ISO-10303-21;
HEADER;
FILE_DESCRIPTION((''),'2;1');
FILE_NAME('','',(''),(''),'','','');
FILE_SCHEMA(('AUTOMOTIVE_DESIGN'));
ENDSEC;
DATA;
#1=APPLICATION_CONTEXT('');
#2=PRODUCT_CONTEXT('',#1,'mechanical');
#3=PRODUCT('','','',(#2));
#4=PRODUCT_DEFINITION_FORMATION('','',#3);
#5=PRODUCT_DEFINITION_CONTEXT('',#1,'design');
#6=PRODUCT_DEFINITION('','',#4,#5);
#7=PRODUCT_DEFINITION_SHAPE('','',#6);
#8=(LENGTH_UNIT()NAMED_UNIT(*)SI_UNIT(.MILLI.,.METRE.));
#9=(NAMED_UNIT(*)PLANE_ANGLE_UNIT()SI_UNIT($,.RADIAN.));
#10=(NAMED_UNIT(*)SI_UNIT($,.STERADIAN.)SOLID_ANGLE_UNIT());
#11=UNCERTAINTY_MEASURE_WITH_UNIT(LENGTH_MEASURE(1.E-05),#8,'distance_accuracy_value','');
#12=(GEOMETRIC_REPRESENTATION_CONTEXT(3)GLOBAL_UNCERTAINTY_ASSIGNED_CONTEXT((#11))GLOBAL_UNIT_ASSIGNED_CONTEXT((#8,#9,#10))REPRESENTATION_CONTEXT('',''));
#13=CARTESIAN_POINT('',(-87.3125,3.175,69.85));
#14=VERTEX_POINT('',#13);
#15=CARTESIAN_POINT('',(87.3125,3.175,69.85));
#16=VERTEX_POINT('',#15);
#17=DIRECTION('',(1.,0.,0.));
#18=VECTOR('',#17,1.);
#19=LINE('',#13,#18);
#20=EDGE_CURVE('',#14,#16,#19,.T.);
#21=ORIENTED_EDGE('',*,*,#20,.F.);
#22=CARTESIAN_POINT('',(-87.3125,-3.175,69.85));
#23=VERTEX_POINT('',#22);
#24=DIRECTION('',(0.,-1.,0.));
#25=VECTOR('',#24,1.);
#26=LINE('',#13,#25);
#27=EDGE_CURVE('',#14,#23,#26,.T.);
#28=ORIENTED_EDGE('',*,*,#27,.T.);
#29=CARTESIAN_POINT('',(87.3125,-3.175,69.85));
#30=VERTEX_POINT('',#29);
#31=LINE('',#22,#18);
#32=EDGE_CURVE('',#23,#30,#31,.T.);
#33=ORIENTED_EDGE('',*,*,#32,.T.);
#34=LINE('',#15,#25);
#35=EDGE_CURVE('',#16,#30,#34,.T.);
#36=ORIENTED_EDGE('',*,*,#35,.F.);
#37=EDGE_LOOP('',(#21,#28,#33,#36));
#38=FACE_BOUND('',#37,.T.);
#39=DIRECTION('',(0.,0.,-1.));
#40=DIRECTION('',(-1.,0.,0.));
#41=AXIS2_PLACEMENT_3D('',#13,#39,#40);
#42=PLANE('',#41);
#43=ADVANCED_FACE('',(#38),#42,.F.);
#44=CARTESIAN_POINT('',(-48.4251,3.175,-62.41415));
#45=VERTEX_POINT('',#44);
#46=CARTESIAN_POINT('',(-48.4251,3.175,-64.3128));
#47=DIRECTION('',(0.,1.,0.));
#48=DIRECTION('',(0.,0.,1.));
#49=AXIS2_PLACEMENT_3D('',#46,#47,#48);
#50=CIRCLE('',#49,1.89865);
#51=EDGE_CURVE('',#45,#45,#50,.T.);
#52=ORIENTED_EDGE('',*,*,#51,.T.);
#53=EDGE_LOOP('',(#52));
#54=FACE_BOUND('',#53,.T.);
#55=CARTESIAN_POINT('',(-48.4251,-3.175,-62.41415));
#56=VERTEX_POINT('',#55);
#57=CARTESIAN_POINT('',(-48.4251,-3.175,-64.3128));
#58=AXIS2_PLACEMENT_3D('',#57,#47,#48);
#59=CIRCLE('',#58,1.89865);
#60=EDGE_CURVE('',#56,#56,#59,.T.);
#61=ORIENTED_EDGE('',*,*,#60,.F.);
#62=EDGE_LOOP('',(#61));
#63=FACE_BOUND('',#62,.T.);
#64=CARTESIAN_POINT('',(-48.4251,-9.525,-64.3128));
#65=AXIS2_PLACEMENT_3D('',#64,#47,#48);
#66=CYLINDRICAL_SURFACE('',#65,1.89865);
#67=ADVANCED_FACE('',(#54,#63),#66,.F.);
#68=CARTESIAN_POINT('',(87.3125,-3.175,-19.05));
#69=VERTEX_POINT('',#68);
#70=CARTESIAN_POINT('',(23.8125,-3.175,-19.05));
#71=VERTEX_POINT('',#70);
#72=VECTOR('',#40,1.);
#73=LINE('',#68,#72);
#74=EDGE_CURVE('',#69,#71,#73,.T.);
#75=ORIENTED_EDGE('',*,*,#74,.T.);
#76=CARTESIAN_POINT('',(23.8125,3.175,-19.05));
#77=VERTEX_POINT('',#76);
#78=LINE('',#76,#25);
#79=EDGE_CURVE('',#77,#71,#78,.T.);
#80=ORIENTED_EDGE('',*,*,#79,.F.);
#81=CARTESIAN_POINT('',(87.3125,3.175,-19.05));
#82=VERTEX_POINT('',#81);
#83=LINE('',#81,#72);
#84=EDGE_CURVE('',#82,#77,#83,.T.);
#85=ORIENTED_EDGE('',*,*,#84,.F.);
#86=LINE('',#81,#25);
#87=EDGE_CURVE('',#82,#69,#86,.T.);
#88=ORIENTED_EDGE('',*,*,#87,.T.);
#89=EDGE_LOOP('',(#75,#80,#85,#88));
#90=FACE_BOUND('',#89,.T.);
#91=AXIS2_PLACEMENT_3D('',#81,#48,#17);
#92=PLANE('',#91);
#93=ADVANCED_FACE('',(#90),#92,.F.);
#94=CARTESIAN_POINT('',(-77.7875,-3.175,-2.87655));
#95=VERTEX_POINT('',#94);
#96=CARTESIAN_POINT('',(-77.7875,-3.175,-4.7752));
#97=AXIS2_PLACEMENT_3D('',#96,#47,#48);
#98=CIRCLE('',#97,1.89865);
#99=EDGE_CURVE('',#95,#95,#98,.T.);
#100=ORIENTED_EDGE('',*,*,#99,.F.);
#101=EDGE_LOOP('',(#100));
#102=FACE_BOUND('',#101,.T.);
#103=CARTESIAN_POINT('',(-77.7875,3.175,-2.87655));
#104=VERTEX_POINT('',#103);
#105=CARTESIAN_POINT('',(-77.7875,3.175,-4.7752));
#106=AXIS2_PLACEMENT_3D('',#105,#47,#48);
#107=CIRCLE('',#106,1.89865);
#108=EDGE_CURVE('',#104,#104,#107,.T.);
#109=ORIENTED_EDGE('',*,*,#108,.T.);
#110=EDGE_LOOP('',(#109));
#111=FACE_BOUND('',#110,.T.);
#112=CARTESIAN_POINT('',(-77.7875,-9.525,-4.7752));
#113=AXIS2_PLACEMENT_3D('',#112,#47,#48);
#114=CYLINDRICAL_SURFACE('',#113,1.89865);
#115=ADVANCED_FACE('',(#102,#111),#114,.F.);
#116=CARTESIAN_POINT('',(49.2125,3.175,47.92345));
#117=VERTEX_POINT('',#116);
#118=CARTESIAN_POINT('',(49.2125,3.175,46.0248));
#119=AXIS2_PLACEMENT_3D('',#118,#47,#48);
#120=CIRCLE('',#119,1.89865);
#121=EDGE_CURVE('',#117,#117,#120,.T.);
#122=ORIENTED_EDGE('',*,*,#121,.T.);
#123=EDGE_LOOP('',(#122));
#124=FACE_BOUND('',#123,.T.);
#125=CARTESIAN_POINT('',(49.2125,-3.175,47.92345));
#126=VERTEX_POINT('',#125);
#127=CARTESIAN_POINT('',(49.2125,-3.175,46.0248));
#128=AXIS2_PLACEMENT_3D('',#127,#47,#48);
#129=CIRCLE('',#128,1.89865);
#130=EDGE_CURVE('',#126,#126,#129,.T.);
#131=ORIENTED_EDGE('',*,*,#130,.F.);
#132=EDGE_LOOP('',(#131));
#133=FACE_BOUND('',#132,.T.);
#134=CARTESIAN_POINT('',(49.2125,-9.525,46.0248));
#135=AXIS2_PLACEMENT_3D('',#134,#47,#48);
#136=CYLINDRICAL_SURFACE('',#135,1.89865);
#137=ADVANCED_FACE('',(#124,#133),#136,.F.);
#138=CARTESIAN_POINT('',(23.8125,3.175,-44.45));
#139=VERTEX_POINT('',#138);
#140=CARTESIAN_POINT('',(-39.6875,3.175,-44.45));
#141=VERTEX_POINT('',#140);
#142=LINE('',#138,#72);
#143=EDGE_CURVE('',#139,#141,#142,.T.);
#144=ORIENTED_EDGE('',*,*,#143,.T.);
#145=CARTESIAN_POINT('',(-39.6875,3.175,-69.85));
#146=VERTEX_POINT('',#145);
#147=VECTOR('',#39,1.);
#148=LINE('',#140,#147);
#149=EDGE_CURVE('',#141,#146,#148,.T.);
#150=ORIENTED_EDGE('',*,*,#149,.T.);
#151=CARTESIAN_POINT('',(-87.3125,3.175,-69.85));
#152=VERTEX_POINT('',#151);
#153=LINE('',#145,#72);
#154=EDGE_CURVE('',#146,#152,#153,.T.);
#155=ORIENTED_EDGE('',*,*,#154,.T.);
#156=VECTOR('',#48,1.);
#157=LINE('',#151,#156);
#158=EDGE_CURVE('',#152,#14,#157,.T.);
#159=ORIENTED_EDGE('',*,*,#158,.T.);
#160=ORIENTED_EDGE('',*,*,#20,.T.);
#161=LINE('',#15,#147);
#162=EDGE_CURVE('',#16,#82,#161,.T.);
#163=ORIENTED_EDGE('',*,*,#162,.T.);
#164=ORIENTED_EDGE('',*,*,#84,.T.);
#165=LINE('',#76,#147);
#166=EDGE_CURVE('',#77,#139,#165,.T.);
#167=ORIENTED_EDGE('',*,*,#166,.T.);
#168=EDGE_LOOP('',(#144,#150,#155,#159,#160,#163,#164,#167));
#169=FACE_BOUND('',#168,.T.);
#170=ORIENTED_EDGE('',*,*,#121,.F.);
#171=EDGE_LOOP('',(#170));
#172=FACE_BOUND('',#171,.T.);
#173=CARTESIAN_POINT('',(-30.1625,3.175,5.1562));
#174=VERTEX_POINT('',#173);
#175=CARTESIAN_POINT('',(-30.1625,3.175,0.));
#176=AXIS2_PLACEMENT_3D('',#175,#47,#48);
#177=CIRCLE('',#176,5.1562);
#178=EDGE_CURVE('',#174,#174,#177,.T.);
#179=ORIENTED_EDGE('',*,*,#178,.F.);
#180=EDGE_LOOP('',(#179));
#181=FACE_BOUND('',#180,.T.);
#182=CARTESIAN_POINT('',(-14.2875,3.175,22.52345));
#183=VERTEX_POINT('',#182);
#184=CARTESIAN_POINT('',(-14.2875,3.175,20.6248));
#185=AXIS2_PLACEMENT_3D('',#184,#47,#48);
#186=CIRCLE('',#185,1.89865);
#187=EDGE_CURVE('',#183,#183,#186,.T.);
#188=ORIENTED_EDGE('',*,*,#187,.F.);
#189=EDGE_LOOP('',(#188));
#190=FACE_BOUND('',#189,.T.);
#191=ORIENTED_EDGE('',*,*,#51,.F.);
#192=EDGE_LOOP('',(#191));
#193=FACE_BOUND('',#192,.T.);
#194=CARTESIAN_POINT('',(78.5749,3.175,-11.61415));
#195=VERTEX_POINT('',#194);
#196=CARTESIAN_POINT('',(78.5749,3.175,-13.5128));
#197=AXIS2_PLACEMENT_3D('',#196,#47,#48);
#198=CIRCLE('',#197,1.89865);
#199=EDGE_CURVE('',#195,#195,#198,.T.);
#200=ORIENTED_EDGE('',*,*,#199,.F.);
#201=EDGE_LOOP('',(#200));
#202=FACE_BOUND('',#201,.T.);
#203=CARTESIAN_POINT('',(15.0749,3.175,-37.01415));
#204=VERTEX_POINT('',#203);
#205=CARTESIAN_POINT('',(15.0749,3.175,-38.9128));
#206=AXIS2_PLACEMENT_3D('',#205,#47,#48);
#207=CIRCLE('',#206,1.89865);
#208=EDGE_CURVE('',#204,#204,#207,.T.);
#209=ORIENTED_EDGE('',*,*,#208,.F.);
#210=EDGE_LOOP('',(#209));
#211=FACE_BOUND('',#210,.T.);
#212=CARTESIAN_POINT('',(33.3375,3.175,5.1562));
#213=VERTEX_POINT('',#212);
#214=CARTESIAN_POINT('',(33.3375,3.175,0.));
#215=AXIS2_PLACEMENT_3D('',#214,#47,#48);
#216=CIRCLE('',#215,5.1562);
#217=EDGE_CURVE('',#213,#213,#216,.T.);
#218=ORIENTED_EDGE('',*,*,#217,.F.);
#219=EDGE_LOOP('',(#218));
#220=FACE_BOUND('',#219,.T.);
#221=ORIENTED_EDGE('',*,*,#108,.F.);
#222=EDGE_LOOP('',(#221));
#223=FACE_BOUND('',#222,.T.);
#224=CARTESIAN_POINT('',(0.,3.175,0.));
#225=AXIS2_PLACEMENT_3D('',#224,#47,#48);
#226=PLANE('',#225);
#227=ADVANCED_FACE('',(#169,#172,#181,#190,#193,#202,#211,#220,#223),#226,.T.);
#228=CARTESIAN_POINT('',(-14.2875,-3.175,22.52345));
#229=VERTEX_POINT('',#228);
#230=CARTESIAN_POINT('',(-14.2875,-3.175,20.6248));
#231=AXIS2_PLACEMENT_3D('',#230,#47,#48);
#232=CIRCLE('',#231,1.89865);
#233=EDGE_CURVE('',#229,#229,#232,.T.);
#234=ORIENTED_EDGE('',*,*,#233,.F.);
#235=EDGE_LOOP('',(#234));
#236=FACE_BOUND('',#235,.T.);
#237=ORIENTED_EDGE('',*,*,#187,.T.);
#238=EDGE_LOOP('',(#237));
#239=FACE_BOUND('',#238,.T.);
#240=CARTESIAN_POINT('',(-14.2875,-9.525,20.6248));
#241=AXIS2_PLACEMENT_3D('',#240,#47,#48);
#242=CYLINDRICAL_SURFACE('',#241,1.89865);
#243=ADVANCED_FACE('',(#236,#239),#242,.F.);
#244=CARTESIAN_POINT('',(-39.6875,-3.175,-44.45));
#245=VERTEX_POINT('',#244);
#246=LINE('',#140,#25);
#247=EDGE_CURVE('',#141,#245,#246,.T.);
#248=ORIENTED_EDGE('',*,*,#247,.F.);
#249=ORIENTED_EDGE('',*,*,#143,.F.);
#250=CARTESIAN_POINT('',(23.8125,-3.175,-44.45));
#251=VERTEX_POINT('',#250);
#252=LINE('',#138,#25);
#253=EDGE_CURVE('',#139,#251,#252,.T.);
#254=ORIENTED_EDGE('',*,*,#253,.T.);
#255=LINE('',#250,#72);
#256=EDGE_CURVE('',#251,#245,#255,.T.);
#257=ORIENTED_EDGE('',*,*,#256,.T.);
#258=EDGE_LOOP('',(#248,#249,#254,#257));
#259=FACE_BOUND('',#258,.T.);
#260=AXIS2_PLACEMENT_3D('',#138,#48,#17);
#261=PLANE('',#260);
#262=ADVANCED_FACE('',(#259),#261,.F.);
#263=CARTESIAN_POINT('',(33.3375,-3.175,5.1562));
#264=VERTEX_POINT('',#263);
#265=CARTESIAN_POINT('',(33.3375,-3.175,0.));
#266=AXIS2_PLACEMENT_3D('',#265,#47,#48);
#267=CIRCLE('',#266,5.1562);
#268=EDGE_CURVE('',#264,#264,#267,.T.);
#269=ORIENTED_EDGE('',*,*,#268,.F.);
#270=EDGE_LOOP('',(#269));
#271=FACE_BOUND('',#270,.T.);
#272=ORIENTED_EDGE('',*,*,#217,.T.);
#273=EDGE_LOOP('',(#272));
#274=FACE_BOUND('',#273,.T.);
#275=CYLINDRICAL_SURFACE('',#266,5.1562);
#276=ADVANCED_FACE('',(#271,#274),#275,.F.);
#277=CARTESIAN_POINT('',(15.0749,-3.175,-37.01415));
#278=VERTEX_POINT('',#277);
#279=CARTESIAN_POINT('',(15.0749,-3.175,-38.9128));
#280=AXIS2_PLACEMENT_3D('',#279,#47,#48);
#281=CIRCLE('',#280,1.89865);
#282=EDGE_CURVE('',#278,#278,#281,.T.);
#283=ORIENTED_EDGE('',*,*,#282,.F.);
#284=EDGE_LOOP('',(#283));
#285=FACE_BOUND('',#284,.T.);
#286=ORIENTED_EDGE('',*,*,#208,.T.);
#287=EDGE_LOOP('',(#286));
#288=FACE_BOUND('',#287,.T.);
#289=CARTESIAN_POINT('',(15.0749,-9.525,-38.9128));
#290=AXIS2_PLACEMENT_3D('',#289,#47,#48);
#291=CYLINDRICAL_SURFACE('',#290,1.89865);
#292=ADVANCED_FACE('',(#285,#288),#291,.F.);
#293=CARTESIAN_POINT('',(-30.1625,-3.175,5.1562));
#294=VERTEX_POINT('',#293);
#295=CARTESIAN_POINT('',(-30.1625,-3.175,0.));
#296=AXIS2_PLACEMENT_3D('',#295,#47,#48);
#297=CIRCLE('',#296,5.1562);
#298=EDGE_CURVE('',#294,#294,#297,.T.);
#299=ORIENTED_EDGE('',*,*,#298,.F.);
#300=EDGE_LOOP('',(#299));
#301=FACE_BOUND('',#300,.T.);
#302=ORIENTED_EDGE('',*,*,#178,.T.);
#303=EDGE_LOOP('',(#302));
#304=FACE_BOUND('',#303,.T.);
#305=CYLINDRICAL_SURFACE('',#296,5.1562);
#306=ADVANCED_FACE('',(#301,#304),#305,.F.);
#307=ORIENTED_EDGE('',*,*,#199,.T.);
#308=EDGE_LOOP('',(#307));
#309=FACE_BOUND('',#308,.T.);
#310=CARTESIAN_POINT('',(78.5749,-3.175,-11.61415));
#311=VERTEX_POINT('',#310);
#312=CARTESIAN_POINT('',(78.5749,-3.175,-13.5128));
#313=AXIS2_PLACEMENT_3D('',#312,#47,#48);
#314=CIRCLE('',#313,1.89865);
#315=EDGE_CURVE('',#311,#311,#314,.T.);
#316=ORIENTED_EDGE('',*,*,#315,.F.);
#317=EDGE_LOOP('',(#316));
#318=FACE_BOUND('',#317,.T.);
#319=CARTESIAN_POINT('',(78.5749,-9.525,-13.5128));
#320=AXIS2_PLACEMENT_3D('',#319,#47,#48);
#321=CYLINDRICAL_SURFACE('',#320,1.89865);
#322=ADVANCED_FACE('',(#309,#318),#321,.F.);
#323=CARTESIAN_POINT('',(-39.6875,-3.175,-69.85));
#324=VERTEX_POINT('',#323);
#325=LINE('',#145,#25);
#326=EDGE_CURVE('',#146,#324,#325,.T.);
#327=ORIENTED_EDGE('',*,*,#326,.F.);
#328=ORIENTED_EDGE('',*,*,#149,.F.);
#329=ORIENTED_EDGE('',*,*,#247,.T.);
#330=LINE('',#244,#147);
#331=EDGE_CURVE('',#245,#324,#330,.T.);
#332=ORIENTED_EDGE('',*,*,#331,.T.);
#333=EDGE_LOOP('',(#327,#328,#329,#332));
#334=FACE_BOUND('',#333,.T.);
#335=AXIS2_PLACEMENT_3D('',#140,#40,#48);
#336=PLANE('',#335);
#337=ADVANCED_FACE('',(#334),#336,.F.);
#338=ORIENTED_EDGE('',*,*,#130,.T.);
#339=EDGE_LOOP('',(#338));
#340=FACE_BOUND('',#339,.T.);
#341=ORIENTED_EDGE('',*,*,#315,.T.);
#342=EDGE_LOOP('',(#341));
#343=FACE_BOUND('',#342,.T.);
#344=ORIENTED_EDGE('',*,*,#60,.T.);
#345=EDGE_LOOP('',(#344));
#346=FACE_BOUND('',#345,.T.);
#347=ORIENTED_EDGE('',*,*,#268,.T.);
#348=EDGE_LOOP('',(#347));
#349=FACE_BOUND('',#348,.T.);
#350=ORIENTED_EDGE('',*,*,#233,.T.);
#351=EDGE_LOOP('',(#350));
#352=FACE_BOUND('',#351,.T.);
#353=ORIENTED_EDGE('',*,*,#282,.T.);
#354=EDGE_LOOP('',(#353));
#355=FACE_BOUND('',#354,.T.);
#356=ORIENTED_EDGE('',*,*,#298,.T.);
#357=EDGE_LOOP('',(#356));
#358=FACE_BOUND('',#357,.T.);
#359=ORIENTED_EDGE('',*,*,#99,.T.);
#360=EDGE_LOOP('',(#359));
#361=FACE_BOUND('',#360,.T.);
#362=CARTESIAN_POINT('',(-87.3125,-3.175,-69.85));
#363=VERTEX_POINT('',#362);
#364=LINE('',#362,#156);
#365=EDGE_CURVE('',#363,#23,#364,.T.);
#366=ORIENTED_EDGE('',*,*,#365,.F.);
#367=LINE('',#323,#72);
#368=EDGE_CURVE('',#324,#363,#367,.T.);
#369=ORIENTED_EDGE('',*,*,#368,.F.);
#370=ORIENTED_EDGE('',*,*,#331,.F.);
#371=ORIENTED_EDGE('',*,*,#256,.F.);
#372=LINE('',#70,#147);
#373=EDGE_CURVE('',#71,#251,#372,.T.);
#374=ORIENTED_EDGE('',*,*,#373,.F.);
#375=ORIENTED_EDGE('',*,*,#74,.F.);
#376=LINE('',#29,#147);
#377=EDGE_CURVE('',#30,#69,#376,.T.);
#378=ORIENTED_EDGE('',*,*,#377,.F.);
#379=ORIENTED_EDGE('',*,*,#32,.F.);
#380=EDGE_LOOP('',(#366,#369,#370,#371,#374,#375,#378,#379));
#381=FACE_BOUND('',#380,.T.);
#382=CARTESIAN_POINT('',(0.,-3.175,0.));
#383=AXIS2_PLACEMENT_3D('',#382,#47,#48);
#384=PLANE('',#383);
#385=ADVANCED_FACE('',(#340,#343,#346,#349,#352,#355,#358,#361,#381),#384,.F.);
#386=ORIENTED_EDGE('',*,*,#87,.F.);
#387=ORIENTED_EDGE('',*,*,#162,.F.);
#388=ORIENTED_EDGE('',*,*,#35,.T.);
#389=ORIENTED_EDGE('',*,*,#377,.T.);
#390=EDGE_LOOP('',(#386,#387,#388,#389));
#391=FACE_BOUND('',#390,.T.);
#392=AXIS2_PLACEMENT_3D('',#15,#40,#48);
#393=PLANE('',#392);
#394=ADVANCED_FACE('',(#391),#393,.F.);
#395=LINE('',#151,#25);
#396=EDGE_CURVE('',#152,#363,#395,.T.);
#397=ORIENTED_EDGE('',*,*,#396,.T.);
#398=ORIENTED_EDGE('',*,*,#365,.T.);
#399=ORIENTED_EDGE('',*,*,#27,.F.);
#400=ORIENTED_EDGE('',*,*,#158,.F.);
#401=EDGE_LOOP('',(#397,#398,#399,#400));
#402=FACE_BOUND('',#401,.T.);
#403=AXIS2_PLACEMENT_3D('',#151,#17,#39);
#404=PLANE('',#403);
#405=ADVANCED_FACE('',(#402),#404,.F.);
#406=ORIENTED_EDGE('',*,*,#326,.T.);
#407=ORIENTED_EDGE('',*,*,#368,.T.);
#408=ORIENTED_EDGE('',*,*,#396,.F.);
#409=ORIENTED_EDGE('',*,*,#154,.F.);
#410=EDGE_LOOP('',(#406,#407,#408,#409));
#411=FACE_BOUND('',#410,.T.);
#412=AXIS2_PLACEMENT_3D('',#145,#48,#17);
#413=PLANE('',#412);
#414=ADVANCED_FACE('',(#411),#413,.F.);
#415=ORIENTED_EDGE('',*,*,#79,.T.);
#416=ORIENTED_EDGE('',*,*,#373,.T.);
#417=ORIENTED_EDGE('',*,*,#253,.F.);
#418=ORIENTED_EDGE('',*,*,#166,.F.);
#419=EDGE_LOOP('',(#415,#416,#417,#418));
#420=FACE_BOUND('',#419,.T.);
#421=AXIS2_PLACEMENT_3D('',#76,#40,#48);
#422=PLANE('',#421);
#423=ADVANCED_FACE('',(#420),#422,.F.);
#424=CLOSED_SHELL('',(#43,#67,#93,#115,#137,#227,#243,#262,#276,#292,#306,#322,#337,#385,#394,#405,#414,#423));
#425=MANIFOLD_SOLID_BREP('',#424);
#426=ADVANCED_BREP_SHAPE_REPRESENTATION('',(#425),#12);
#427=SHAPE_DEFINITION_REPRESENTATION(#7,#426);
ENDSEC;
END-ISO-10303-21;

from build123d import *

# Parameters (mm, degrees)
BOSS_EXTRUDE1_DEPTH = 3.175
CUT_EXTRUDE2_START  = 3.175
SKETCH2_R           = 5.1562
CUT_EXTRUDE2_DEPTH  = 116.03462534
CUT_EXTRUDE4_START  = 3.175
SKETCH3_R           = 1.89865
CUT_EXTRUDE4_DEPTH  = 12.7


with BuildPart() as part:
    # Sketch1 → Boss-Extrude1 (new, symmetric)
    with BuildSketch(Plane(origin=(0, 0, 0), x_dir=(1, 0, 0), z_dir=(0, 1, 0))):
        Polygon((-87.3125, -69.85), (87.3125, -69.85), (87.3125, 19.05), (23.8125, 19.05), (23.8125, 44.45), (-39.6875, 44.45), (-39.6875, 69.85), (-87.3125, 69.85), align=None)
    extrude(amount=BOSS_EXTRUDE1_DEPTH, both=True)

    # Sketch2 → Cut-Extrude2 (cut, through all)
    with BuildSketch(Plane(origin=(0, 0, 0), x_dir=(1, 0, 0), z_dir=(0, 1, 0)).offset(CUT_EXTRUDE2_START)):
        with Locations(Location((-30.1625, 0, 0), (0, 0, 270))):
            Circle(SKETCH2_R)
        with Locations(Location((33.3375, 0, 0), (0, 0, 270))):
            Circle(SKETCH2_R)
    extrude(amount=-CUT_EXTRUDE2_DEPTH, mode=Mode.SUBTRACT)

    # Sketch3 → Cut-Extrude4 (cut)
    with BuildSketch(Plane(origin=(0, 0, 0), x_dir=(1, 0, 0), z_dir=(0, 1, 0)).offset(CUT_EXTRUDE4_START)):
        with Locations(Location((-77.7875, 4.7752, 0), (0, 0, 270))):
            Circle(SKETCH3_R)
        with Locations(Location((-48.4251, 64.3128, 0), (0, 0, 270))):
            Circle(SKETCH3_R)
        with Locations(Location((-14.2875, -20.6248, 0), (0, 0, 270))):
            Circle(SKETCH3_R)
        with Locations(Location((15.0749, 38.9128, 0), (0, 0, 270))):
            Circle(SKETCH3_R)
        with Locations(Location((49.2125, -46.0248, 0), (0, 0, 270))):
            Circle(SKETCH3_R)
        with Locations(Location((78.5749, 13.5128, 0), (0, 0, 270))):
            Circle(SKETCH3_R)
    extrude(amount=-CUT_EXTRUDE4_DEPTH, mode=Mode.SUBTRACT)


solid = part.part
